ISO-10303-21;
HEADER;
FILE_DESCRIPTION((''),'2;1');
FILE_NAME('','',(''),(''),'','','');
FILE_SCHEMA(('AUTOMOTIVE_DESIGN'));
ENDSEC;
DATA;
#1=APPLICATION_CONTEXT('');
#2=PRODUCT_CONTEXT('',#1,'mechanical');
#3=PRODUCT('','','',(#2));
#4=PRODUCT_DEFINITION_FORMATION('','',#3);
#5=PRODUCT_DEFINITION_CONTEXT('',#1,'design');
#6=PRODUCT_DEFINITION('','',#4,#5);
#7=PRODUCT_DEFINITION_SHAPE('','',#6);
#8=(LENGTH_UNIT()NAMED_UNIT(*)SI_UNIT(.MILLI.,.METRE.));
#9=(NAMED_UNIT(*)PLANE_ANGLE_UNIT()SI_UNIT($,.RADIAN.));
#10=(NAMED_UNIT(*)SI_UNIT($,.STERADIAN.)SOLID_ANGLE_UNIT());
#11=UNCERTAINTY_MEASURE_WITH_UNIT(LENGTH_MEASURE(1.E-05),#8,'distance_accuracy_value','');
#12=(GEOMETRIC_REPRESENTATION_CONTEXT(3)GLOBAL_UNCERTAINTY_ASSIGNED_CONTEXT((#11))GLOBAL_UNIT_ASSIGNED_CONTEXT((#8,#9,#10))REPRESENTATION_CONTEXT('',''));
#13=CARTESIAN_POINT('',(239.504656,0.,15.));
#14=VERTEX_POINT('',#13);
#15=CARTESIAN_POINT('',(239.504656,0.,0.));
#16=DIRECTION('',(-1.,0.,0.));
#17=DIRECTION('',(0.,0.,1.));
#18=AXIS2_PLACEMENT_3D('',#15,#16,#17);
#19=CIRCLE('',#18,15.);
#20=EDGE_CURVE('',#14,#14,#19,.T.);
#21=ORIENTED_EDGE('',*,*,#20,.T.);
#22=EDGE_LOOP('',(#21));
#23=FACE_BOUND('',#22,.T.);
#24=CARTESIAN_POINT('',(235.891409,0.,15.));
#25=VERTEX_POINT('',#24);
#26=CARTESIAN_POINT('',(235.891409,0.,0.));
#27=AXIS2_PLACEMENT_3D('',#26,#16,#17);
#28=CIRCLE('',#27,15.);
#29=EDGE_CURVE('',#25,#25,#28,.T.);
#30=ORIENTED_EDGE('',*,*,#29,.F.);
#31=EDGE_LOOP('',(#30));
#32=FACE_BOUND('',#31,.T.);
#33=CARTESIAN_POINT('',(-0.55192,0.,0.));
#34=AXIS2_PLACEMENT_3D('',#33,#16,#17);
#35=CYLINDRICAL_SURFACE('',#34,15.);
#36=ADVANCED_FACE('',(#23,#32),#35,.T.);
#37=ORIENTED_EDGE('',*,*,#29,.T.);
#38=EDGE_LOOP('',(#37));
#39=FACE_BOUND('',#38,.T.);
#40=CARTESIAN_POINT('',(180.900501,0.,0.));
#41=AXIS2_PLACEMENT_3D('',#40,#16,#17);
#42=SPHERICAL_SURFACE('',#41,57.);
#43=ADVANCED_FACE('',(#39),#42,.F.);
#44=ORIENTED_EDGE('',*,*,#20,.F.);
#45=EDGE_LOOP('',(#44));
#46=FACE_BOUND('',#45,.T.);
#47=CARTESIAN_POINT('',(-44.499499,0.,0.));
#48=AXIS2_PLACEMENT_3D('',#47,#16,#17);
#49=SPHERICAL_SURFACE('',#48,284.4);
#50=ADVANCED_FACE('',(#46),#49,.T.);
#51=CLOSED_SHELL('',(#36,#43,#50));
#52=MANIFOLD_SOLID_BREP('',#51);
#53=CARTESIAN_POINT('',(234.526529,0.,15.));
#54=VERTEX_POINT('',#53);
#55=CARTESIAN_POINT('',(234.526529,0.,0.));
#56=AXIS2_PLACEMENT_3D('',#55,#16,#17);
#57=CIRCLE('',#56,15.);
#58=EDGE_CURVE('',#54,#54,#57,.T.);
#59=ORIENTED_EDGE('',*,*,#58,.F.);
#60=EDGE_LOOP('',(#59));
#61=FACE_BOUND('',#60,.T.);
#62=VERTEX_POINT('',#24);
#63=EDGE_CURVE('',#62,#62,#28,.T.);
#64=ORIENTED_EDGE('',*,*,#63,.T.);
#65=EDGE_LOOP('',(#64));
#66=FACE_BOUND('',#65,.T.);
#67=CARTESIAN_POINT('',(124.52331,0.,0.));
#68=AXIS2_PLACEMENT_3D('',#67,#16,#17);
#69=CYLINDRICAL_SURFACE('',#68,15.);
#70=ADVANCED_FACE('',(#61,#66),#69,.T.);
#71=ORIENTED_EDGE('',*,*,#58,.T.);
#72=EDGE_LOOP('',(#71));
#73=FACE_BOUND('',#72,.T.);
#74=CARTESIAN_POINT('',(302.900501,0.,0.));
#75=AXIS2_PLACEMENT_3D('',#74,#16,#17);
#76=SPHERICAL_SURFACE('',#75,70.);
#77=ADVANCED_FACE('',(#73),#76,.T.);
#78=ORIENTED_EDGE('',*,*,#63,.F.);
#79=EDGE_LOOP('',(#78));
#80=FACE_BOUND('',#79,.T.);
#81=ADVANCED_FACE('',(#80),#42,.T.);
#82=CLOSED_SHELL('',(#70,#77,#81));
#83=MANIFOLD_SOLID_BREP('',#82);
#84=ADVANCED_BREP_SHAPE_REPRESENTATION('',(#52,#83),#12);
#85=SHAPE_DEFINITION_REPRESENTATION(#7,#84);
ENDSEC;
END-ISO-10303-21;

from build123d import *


with BuildPart() as part:
    # 草图1 one side → 旋转1 (revolve)
    with BuildSketch(Plane(origin=(0, 0, 0), x_dir=(1, 0, 0), z_dir=(0, 1, 0)), mode=Mode.PRIVATE) as revolve_1_sk:
        with BuildLine():
            ThreePointArc((234.526529083, 15), (233.308195072, 7.543937436), (232.900500739, 0))
            Line((232.900500739, 0), (237.900500739, 0))
            ThreePointArc((237.900500739, 0), (237.39599514, 7.566975111), (235.891409078, 15))
            Line((235.891409078, 15), (234.526529083, 15))
        make_face()
    revolve(revolve_1_sk.sketch.rotate(Axis((124.523309526, 0, 0), (1, 0, 0)), 180), axis=Axis((124.523309526, 0, 0), (1, 0, 0)))  # turned: the seam where the file's is


with BuildPart() as body_2:
    # 草图2 one side → 旋转3 (revolve)
    with BuildSketch(Plane(origin=(0, 0, 0), x_dir=(1, 0, 0), z_dir=(0, 1, 0)), mode=Mode.PRIVATE) as revolve_3_sk:
        with BuildLine():
            Line((239.504655638, 15), (235.891409078, 15))
            ThreePointArc((235.891409078, 15), (237.39599514, 7.566975111), (237.900500739, 0))
            Line((237.900500739, 0), (239.900500739, 0))
            ThreePointArc((239.900500739, 0), (239.80152224, 7.502611101), (239.504655638, 15))
        make_face()
    revolve(revolve_3_sk.sketch.rotate(Axis((-0.551919993, 0, 0), (1, 0, 0)), 180), axis=Axis((-0.551919993, 0, 0), (1, 0, 0)))  # turned: the seam where the file's is


solid = Compound([part.part, body_2.part])
